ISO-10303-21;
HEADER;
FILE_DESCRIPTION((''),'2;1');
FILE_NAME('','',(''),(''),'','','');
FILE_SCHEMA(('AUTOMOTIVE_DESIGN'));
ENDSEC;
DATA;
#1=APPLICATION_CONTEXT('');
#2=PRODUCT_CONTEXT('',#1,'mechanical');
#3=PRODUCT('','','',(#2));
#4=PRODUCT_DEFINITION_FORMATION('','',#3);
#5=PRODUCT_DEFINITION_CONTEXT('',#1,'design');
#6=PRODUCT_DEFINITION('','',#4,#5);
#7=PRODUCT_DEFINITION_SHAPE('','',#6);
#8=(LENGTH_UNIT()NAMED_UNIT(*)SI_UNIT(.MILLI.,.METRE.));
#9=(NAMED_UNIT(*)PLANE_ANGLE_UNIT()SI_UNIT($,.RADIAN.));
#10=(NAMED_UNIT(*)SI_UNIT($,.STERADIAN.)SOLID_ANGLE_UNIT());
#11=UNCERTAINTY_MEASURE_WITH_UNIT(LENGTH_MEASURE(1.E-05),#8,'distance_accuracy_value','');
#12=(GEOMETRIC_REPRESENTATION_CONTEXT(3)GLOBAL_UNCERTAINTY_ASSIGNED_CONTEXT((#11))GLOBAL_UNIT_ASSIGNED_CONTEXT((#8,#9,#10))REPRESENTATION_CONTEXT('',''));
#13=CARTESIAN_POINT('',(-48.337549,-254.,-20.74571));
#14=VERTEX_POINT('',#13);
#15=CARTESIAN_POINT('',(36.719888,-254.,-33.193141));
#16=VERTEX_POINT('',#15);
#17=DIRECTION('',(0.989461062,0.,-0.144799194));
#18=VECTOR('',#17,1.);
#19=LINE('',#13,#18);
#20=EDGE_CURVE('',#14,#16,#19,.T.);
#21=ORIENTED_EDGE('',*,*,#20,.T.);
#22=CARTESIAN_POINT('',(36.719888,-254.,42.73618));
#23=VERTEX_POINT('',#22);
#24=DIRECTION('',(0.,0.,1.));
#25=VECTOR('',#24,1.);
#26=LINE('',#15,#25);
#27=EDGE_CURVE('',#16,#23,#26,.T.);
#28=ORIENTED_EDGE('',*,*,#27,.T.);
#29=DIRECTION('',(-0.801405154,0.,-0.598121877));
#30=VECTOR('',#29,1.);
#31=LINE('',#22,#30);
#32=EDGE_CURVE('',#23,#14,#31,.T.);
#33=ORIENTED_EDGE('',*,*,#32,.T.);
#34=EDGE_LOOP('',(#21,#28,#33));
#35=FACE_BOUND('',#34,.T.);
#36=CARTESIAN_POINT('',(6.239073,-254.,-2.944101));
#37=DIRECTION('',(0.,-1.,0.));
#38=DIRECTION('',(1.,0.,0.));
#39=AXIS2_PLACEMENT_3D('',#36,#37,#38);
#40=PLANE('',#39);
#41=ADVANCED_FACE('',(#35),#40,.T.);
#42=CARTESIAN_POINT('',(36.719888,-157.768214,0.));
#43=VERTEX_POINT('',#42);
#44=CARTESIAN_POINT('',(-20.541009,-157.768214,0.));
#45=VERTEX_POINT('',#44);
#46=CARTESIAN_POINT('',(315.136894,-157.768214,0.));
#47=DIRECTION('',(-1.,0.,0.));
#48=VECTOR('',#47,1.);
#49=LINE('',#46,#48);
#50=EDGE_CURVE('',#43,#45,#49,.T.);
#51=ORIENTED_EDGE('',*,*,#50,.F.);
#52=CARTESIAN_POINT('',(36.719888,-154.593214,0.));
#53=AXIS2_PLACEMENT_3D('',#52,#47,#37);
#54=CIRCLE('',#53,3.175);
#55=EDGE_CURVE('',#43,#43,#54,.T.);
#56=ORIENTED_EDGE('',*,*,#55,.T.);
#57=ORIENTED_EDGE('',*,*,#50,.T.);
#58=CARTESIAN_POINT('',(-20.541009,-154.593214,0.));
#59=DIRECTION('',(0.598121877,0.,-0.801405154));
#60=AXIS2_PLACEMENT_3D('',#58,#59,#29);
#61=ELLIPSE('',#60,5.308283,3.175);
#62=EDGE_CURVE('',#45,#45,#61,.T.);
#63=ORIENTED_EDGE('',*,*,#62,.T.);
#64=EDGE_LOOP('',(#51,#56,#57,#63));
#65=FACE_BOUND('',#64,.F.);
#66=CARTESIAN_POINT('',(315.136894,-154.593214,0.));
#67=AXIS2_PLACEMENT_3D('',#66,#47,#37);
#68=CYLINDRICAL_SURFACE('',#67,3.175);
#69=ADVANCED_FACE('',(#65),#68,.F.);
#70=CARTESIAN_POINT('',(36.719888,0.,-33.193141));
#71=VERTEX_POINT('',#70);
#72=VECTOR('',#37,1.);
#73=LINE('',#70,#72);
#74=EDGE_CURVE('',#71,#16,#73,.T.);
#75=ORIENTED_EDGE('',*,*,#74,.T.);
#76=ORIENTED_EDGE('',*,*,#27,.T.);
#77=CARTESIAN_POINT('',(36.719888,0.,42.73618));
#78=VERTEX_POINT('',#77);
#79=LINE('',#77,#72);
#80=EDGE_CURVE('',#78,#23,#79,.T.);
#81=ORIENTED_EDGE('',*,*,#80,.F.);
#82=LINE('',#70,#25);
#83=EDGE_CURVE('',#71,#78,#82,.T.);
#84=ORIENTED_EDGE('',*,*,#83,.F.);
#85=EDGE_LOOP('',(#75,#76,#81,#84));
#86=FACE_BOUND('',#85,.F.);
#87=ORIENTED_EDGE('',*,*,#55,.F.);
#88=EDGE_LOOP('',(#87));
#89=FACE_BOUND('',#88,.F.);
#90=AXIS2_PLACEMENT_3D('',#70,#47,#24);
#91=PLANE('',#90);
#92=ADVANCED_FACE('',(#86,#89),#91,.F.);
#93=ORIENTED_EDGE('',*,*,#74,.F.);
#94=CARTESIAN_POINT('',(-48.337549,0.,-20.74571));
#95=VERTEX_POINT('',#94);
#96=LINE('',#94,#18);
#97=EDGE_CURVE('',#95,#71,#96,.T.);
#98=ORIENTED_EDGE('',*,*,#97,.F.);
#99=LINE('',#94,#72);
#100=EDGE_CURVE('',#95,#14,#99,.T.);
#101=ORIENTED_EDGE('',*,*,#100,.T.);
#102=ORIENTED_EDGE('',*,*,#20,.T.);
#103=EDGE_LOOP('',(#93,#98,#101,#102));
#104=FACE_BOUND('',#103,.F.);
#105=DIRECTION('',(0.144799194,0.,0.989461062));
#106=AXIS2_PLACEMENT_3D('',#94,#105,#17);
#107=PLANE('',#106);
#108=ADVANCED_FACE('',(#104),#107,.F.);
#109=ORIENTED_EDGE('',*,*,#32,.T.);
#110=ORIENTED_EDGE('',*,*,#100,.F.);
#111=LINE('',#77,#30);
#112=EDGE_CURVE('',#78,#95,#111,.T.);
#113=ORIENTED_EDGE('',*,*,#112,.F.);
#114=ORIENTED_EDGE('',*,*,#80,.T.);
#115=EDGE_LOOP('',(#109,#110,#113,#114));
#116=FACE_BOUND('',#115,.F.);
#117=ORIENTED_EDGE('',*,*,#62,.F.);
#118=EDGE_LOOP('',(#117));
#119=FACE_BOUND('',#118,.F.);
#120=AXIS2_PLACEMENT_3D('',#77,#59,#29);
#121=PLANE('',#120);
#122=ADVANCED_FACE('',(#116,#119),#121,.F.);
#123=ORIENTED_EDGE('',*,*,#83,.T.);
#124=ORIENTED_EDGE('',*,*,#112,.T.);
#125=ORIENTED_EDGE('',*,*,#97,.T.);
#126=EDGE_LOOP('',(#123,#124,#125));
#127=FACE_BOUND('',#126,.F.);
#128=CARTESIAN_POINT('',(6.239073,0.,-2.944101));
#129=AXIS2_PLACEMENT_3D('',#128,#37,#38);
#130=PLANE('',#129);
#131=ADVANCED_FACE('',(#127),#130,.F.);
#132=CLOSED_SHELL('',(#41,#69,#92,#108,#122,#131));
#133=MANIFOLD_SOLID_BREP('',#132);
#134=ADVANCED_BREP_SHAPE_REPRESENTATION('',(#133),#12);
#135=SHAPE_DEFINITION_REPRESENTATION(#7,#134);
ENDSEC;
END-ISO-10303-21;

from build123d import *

# Parameters (mm, degrees)
F1_DEPTH = 254
F3_D     = 6.35


with BuildPart() as f1:
    # F0 (on Front) → F1 (new body)
    with BuildSketch(Plane.XZ):
        Polygon((36.719888, 42.73618), (-48.337549, -20.74571), (36.719888, -33.193141), align=None)
    extrude(amount=F1_DEPTH)

    # F3 (through all)
    with Locations(Plane.YZ.offset(36.719888)):
        with Locations((-154.593214, 0)):
            Hole(F3_D / 2)


solid = f1.part
